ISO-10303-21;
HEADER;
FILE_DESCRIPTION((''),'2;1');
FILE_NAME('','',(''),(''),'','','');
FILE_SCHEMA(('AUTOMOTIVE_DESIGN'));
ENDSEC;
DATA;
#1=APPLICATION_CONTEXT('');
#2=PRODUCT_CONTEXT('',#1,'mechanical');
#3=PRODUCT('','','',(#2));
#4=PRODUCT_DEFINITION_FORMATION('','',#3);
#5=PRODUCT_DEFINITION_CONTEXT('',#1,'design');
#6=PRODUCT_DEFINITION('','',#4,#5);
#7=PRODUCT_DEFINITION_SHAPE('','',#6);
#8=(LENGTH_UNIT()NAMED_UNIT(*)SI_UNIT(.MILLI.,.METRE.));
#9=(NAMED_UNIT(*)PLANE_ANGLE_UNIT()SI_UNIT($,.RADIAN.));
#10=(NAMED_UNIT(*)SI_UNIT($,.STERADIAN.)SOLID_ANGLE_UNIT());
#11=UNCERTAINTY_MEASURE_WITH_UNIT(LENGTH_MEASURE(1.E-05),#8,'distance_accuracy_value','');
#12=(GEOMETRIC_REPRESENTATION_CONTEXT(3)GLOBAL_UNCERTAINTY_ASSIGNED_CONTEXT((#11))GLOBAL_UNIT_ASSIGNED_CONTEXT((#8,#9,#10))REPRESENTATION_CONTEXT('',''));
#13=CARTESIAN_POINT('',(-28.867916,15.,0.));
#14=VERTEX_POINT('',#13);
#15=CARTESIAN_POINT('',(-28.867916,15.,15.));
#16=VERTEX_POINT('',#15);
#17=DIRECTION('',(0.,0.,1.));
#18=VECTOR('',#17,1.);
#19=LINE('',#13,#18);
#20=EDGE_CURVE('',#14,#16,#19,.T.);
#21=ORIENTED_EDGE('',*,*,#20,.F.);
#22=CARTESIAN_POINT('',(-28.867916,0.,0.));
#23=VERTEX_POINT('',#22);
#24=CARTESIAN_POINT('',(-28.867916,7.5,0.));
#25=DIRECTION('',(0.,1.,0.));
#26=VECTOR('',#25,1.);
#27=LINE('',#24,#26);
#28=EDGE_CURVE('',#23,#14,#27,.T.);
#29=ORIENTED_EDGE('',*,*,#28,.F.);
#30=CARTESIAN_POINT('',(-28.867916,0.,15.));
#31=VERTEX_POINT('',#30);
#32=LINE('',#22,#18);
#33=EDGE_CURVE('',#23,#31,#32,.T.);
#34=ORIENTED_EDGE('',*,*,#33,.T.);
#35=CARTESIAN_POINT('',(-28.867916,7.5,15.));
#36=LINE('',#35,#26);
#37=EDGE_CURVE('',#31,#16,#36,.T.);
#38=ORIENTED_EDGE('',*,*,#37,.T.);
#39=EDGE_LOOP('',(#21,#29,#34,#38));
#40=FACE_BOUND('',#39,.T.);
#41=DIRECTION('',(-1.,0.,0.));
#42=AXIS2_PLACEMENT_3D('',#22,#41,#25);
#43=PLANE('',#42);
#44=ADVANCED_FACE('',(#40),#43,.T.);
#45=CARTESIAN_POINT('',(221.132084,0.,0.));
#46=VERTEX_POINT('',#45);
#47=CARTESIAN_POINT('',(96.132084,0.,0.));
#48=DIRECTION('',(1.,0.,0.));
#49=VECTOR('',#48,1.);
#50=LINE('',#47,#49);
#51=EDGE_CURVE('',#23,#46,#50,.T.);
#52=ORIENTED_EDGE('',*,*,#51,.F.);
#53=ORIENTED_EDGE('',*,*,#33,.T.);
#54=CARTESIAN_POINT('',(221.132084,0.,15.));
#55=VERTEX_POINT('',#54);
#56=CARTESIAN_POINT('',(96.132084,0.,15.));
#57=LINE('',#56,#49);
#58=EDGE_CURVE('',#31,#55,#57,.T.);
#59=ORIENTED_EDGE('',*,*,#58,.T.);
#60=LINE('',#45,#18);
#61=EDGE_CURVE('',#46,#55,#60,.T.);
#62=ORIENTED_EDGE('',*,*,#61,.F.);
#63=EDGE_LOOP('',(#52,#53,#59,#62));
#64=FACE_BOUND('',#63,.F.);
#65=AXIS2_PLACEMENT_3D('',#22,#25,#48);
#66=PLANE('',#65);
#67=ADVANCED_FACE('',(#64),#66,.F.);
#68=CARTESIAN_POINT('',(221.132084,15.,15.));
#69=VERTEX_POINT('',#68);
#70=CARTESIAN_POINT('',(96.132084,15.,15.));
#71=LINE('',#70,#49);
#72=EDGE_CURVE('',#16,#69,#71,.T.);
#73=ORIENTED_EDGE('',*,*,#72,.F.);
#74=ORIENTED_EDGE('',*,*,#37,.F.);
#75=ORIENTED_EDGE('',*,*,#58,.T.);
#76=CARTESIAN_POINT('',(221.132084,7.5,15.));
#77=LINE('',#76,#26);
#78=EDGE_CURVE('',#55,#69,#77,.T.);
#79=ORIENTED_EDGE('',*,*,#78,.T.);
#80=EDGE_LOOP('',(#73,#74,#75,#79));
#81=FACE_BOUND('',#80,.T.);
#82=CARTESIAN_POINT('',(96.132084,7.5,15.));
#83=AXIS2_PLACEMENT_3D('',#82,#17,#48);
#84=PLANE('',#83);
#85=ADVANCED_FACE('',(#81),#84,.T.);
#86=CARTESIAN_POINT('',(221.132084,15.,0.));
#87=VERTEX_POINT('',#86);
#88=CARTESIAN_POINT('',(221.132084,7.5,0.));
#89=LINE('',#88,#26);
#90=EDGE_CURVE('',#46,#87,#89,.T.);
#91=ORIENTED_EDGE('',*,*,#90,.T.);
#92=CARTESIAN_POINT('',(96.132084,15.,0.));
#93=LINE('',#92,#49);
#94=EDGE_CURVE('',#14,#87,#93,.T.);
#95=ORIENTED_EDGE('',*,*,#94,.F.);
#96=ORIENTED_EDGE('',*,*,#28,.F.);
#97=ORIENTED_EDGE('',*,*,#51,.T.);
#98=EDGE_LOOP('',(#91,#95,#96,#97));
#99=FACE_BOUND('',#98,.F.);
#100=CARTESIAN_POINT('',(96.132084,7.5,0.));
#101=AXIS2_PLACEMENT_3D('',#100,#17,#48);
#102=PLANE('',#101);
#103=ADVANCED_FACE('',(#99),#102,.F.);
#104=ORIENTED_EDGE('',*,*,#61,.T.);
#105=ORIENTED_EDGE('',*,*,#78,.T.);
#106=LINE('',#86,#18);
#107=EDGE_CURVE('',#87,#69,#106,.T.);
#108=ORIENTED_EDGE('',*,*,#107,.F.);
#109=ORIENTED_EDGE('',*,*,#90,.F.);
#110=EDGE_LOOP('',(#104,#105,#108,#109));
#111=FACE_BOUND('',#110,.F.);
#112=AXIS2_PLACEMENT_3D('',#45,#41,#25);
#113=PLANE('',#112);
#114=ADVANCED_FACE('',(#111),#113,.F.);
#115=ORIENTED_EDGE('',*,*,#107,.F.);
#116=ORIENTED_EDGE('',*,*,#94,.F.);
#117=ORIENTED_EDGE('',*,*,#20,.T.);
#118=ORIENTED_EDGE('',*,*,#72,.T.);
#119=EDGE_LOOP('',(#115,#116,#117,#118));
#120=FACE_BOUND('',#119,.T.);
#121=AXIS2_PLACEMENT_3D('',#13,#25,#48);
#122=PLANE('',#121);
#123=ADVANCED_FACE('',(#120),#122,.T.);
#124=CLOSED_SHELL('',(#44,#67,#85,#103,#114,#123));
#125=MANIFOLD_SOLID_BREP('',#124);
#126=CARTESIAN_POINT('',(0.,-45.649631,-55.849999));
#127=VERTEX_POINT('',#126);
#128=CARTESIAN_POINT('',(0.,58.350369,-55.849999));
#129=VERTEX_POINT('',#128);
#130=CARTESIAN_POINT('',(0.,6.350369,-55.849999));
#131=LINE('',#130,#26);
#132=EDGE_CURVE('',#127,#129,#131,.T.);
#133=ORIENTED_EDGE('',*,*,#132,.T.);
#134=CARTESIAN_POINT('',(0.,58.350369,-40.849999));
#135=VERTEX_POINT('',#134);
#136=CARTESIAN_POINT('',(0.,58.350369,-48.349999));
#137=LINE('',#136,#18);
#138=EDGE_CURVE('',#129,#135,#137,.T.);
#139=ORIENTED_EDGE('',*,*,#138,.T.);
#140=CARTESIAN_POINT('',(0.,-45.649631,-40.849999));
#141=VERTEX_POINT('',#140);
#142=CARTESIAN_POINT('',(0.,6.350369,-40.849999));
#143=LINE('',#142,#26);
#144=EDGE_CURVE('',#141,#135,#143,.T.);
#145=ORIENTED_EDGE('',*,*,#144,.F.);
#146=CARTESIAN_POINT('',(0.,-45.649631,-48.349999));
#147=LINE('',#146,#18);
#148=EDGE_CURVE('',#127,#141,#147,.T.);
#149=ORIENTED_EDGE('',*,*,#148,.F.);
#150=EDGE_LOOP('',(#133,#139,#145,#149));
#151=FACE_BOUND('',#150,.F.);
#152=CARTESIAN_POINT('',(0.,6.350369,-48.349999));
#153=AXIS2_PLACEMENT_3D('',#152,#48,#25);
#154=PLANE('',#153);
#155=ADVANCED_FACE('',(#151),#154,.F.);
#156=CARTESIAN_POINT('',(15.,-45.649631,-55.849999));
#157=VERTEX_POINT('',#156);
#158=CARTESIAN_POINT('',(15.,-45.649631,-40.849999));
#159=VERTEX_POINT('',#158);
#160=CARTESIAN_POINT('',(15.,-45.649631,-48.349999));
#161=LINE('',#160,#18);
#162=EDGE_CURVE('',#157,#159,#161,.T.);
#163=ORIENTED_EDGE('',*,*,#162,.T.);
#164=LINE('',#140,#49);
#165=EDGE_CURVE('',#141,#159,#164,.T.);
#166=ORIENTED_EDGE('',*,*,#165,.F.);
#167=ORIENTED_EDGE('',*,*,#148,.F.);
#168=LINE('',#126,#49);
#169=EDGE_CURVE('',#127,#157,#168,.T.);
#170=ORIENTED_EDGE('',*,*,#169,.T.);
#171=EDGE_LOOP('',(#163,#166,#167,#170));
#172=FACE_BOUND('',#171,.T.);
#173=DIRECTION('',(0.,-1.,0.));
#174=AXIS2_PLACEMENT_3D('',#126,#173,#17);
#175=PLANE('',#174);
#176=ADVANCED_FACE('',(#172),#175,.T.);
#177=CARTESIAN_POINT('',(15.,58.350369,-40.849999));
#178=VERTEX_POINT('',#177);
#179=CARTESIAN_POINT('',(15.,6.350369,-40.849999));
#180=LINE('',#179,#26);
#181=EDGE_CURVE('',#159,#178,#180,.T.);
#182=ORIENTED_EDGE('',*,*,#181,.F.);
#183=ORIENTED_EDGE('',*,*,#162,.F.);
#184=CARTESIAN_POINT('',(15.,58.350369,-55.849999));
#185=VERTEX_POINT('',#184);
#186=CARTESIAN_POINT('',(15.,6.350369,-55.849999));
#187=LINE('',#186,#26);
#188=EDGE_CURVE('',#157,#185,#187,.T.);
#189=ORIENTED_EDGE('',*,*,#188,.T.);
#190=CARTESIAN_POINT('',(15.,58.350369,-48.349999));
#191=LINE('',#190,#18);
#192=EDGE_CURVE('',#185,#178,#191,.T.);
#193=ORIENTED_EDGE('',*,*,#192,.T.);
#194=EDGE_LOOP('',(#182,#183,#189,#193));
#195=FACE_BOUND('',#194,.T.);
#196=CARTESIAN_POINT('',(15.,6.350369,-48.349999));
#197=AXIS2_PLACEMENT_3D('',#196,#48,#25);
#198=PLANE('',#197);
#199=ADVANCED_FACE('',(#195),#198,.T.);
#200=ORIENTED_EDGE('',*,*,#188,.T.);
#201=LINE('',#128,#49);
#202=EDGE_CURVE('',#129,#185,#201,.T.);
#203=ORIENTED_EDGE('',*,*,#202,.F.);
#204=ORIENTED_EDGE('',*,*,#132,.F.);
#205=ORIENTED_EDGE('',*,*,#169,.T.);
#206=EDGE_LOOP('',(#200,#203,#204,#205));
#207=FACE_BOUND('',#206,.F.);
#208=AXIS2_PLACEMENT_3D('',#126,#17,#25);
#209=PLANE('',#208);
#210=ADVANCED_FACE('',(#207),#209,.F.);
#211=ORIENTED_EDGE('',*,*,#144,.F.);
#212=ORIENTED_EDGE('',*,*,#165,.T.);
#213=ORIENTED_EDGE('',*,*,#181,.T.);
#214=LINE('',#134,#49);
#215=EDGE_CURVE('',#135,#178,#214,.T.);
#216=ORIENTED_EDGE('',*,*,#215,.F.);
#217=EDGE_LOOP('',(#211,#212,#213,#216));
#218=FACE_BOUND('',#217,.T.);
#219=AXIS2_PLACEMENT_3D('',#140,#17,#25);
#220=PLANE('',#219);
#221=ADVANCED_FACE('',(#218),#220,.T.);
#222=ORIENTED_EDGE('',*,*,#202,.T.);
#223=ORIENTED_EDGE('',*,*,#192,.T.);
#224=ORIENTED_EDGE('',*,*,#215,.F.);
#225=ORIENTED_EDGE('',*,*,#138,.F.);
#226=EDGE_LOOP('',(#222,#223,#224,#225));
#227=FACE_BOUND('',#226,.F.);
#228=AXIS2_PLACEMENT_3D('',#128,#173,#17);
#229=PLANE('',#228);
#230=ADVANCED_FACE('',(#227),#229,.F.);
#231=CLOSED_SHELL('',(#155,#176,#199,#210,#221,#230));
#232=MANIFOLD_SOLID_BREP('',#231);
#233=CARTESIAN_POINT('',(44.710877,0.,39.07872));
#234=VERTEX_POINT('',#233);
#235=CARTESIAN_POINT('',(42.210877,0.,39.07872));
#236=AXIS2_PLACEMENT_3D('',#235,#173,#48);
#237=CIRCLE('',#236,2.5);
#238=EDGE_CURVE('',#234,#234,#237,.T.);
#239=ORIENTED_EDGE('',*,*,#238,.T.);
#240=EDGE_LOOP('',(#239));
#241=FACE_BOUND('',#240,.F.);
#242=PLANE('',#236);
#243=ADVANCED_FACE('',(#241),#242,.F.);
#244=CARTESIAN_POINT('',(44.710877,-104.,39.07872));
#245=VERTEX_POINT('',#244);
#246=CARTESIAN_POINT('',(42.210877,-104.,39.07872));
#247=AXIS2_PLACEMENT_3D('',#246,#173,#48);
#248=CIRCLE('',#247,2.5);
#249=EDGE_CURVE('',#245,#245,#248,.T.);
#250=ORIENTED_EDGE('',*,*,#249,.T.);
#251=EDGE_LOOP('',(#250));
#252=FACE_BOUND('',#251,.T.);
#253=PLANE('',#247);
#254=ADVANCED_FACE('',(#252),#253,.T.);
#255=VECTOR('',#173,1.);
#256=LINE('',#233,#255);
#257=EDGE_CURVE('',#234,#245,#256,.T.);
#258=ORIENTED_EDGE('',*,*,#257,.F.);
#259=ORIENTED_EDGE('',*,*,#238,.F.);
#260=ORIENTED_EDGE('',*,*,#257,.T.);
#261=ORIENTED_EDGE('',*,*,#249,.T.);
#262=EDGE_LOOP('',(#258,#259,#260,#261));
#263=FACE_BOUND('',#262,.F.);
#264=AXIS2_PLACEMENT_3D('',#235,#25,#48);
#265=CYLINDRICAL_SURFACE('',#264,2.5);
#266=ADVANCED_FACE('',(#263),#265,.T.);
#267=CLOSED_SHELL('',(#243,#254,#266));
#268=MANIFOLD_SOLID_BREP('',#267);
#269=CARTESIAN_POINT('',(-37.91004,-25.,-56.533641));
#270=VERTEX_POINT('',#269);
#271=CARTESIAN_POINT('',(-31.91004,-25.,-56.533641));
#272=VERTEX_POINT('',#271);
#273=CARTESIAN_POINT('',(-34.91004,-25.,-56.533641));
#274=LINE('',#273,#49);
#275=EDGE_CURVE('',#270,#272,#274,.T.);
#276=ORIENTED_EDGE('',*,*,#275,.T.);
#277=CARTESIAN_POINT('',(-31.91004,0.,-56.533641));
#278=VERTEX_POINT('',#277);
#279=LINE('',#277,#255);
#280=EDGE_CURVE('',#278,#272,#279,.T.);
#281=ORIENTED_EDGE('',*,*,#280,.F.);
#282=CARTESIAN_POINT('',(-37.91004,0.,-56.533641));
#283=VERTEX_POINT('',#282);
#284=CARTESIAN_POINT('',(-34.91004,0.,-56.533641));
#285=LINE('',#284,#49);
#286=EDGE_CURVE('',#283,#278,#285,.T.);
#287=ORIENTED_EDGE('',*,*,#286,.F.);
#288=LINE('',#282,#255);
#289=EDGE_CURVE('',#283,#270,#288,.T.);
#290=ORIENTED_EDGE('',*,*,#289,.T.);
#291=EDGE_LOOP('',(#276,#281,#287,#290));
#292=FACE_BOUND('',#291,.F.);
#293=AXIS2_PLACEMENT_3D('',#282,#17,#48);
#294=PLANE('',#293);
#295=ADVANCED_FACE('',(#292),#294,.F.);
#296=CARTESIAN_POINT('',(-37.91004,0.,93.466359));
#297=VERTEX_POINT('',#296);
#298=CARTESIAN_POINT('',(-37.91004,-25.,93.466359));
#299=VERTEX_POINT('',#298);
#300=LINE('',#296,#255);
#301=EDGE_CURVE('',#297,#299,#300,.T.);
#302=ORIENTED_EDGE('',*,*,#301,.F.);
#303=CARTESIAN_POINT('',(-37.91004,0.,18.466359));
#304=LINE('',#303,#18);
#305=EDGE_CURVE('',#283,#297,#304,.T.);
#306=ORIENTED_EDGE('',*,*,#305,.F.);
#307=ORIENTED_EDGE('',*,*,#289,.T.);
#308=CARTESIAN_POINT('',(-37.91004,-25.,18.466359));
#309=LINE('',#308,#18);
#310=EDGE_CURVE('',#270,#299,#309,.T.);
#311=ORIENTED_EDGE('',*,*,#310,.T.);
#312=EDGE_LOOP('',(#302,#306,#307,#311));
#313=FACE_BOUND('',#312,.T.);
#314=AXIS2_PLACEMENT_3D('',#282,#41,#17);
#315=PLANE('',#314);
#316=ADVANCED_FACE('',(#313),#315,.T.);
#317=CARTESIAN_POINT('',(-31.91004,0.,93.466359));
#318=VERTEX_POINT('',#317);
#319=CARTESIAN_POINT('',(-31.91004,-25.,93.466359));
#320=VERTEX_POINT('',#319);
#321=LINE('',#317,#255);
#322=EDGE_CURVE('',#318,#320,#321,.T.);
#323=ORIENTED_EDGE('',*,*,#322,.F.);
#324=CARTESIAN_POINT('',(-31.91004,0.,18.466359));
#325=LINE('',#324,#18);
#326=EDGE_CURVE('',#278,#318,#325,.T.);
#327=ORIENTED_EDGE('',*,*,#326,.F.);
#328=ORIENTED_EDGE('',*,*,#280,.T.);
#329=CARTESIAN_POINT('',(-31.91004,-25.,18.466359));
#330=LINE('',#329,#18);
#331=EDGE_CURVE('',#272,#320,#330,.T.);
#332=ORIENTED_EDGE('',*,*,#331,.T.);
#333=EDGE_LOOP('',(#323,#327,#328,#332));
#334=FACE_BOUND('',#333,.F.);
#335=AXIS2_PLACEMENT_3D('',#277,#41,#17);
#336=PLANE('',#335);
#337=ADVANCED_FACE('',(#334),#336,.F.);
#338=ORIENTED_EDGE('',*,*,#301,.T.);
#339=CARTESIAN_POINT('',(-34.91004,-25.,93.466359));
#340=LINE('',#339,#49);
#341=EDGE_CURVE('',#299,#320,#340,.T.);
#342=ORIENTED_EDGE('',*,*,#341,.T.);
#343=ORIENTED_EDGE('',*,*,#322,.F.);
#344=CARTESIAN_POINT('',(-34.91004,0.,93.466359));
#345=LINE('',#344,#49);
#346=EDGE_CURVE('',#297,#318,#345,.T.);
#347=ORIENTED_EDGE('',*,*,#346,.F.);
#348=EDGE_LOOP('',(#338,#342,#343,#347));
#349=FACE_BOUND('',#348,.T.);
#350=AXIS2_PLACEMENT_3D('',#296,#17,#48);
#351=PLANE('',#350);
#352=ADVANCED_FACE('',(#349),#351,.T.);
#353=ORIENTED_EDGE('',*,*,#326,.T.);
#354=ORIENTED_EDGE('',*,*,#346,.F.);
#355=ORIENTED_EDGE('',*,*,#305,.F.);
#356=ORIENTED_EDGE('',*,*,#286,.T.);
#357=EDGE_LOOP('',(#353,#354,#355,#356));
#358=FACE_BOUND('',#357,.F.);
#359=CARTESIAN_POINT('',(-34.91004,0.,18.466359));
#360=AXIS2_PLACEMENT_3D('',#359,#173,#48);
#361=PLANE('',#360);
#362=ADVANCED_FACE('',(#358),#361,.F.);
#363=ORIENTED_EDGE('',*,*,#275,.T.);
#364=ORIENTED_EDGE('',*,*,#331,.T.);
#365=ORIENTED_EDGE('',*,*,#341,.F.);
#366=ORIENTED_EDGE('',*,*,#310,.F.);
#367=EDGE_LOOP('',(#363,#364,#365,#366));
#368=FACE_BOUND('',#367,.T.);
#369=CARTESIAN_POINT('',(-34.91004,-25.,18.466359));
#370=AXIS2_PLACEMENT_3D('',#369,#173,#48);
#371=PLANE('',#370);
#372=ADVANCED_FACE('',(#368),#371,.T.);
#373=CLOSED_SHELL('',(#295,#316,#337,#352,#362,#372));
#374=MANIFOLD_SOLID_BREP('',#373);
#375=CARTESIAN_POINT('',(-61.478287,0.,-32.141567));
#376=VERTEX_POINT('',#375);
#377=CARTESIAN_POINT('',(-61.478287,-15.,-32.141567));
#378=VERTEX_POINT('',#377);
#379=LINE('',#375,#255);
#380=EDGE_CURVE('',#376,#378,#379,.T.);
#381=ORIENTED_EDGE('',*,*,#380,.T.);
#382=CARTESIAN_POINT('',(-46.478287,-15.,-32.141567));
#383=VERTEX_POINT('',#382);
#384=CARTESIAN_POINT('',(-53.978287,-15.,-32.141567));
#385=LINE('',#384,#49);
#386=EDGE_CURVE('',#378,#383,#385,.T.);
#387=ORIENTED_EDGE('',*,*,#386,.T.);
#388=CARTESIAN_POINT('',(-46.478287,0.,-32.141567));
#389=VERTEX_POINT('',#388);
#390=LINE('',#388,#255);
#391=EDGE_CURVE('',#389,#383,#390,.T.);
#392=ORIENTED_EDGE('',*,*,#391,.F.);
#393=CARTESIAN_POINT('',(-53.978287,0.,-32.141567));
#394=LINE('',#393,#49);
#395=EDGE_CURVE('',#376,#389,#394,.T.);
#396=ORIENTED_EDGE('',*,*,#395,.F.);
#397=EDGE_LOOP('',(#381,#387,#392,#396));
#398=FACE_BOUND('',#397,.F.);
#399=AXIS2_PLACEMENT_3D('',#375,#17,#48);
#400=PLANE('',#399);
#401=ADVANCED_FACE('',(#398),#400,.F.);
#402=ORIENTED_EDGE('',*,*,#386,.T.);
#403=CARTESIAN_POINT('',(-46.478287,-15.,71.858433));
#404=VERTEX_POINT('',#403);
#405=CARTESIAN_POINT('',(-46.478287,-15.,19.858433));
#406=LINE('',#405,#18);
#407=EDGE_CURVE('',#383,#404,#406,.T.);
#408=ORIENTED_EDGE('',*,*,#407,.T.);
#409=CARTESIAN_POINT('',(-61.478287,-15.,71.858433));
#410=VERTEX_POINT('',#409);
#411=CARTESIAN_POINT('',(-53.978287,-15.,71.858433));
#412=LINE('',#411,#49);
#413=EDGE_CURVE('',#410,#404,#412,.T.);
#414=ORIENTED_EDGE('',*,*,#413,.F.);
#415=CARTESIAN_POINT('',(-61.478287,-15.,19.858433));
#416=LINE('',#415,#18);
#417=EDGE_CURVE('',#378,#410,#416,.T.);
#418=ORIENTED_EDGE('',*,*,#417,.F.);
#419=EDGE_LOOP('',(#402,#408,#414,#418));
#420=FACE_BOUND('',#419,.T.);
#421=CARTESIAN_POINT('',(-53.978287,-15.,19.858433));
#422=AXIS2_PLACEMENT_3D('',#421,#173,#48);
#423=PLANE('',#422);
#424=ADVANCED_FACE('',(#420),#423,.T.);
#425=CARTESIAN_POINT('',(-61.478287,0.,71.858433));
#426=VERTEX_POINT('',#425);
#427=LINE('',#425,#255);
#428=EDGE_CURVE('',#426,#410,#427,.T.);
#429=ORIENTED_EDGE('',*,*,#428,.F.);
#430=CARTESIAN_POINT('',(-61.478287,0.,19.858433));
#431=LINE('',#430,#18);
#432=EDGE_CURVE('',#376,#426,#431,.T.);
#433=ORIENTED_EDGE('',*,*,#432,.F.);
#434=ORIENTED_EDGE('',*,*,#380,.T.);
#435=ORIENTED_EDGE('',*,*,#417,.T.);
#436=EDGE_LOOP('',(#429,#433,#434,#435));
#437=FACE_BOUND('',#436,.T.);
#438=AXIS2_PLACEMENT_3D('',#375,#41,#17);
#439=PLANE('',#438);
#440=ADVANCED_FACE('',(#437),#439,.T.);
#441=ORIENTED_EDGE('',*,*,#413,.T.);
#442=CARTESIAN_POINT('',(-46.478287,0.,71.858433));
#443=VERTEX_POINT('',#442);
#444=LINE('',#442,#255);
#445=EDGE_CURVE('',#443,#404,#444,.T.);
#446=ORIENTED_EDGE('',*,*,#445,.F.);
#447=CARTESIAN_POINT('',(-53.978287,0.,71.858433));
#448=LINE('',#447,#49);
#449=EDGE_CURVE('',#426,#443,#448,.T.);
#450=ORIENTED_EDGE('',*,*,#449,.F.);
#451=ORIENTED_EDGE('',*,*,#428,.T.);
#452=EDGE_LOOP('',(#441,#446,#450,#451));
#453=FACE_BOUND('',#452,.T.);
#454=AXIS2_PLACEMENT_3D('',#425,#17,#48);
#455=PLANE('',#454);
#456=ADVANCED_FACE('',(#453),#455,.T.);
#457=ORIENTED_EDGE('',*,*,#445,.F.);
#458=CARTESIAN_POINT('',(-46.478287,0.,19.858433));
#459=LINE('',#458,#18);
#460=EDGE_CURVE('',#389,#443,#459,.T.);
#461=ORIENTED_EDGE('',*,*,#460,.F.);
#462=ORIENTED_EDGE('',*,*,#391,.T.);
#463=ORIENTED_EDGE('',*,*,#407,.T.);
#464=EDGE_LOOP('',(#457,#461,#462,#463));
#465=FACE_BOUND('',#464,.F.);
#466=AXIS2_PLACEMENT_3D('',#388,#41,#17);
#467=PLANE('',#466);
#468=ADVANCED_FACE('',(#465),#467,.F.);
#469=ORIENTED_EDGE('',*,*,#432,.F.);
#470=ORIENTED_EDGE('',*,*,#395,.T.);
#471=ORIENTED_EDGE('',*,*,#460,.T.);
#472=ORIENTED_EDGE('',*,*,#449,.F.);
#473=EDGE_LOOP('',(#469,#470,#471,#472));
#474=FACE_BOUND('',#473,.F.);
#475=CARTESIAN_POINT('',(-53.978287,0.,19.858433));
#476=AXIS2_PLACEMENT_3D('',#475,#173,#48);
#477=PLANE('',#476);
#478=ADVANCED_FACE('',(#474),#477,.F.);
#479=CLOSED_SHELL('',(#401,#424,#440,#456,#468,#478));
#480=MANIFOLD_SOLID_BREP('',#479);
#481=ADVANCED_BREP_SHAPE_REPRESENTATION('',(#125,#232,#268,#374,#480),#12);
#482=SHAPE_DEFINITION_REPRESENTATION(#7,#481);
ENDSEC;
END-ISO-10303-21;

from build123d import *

# Parameters (mm, degrees)
F0_W     = 250
F0_H     = 15
F1_DEPTH = 15
F2_W     = 104
F2_H     = 15
F3_DEPTH = 15
F4_W     = 15
F4_H     = 104
F5_DEPTH = 15
F6_R     = 2.5
F7_DEPTH = 104
F8_W     = 6
F8_H     = 150
F9_DEPTH = 25


with BuildPart() as f1:
    # F0 (on Top) → F1 (new body)
    with BuildSketch(Plane.XY):
        with Locations((96.132084, 7.5)):
            Rectangle(F0_W, F0_H)
    extrude(amount=F1_DEPTH)


with BuildPart() as f3:
    # F2 (on Right) → F3 (new body)
    with BuildSketch(Plane.YZ):
        with Locations((6.350369, -48.349999)):
            Rectangle(F2_W, F2_H)
    extrude(amount=F3_DEPTH)


with BuildPart() as f5:
    # F4 (on Front) → F5 (new body)
    with BuildSketch(Plane.XZ):
        with Locations((-53.978287, 19.858433)):
            Rectangle(F4_W, F4_H)
    extrude(amount=F5_DEPTH)


with BuildPart() as f7:
    # F6 (on Front) → F7 (new body)
    with BuildSketch(Plane.XZ):
        with Locations((42.210877, 39.07872)):
            Circle(F6_R)
    extrude(amount=F7_DEPTH)


with BuildPart() as f9:
    # F8 (on Front) → F9 (new body)
    with BuildSketch(Plane.XZ):
        with Locations((-34.91004, 18.466359)):
            Rectangle(F8_W, F8_H)
    extrude(amount=F9_DEPTH)


solid = Compound([f1.part, f3.part, f5.part, f7.part, f9.part])
